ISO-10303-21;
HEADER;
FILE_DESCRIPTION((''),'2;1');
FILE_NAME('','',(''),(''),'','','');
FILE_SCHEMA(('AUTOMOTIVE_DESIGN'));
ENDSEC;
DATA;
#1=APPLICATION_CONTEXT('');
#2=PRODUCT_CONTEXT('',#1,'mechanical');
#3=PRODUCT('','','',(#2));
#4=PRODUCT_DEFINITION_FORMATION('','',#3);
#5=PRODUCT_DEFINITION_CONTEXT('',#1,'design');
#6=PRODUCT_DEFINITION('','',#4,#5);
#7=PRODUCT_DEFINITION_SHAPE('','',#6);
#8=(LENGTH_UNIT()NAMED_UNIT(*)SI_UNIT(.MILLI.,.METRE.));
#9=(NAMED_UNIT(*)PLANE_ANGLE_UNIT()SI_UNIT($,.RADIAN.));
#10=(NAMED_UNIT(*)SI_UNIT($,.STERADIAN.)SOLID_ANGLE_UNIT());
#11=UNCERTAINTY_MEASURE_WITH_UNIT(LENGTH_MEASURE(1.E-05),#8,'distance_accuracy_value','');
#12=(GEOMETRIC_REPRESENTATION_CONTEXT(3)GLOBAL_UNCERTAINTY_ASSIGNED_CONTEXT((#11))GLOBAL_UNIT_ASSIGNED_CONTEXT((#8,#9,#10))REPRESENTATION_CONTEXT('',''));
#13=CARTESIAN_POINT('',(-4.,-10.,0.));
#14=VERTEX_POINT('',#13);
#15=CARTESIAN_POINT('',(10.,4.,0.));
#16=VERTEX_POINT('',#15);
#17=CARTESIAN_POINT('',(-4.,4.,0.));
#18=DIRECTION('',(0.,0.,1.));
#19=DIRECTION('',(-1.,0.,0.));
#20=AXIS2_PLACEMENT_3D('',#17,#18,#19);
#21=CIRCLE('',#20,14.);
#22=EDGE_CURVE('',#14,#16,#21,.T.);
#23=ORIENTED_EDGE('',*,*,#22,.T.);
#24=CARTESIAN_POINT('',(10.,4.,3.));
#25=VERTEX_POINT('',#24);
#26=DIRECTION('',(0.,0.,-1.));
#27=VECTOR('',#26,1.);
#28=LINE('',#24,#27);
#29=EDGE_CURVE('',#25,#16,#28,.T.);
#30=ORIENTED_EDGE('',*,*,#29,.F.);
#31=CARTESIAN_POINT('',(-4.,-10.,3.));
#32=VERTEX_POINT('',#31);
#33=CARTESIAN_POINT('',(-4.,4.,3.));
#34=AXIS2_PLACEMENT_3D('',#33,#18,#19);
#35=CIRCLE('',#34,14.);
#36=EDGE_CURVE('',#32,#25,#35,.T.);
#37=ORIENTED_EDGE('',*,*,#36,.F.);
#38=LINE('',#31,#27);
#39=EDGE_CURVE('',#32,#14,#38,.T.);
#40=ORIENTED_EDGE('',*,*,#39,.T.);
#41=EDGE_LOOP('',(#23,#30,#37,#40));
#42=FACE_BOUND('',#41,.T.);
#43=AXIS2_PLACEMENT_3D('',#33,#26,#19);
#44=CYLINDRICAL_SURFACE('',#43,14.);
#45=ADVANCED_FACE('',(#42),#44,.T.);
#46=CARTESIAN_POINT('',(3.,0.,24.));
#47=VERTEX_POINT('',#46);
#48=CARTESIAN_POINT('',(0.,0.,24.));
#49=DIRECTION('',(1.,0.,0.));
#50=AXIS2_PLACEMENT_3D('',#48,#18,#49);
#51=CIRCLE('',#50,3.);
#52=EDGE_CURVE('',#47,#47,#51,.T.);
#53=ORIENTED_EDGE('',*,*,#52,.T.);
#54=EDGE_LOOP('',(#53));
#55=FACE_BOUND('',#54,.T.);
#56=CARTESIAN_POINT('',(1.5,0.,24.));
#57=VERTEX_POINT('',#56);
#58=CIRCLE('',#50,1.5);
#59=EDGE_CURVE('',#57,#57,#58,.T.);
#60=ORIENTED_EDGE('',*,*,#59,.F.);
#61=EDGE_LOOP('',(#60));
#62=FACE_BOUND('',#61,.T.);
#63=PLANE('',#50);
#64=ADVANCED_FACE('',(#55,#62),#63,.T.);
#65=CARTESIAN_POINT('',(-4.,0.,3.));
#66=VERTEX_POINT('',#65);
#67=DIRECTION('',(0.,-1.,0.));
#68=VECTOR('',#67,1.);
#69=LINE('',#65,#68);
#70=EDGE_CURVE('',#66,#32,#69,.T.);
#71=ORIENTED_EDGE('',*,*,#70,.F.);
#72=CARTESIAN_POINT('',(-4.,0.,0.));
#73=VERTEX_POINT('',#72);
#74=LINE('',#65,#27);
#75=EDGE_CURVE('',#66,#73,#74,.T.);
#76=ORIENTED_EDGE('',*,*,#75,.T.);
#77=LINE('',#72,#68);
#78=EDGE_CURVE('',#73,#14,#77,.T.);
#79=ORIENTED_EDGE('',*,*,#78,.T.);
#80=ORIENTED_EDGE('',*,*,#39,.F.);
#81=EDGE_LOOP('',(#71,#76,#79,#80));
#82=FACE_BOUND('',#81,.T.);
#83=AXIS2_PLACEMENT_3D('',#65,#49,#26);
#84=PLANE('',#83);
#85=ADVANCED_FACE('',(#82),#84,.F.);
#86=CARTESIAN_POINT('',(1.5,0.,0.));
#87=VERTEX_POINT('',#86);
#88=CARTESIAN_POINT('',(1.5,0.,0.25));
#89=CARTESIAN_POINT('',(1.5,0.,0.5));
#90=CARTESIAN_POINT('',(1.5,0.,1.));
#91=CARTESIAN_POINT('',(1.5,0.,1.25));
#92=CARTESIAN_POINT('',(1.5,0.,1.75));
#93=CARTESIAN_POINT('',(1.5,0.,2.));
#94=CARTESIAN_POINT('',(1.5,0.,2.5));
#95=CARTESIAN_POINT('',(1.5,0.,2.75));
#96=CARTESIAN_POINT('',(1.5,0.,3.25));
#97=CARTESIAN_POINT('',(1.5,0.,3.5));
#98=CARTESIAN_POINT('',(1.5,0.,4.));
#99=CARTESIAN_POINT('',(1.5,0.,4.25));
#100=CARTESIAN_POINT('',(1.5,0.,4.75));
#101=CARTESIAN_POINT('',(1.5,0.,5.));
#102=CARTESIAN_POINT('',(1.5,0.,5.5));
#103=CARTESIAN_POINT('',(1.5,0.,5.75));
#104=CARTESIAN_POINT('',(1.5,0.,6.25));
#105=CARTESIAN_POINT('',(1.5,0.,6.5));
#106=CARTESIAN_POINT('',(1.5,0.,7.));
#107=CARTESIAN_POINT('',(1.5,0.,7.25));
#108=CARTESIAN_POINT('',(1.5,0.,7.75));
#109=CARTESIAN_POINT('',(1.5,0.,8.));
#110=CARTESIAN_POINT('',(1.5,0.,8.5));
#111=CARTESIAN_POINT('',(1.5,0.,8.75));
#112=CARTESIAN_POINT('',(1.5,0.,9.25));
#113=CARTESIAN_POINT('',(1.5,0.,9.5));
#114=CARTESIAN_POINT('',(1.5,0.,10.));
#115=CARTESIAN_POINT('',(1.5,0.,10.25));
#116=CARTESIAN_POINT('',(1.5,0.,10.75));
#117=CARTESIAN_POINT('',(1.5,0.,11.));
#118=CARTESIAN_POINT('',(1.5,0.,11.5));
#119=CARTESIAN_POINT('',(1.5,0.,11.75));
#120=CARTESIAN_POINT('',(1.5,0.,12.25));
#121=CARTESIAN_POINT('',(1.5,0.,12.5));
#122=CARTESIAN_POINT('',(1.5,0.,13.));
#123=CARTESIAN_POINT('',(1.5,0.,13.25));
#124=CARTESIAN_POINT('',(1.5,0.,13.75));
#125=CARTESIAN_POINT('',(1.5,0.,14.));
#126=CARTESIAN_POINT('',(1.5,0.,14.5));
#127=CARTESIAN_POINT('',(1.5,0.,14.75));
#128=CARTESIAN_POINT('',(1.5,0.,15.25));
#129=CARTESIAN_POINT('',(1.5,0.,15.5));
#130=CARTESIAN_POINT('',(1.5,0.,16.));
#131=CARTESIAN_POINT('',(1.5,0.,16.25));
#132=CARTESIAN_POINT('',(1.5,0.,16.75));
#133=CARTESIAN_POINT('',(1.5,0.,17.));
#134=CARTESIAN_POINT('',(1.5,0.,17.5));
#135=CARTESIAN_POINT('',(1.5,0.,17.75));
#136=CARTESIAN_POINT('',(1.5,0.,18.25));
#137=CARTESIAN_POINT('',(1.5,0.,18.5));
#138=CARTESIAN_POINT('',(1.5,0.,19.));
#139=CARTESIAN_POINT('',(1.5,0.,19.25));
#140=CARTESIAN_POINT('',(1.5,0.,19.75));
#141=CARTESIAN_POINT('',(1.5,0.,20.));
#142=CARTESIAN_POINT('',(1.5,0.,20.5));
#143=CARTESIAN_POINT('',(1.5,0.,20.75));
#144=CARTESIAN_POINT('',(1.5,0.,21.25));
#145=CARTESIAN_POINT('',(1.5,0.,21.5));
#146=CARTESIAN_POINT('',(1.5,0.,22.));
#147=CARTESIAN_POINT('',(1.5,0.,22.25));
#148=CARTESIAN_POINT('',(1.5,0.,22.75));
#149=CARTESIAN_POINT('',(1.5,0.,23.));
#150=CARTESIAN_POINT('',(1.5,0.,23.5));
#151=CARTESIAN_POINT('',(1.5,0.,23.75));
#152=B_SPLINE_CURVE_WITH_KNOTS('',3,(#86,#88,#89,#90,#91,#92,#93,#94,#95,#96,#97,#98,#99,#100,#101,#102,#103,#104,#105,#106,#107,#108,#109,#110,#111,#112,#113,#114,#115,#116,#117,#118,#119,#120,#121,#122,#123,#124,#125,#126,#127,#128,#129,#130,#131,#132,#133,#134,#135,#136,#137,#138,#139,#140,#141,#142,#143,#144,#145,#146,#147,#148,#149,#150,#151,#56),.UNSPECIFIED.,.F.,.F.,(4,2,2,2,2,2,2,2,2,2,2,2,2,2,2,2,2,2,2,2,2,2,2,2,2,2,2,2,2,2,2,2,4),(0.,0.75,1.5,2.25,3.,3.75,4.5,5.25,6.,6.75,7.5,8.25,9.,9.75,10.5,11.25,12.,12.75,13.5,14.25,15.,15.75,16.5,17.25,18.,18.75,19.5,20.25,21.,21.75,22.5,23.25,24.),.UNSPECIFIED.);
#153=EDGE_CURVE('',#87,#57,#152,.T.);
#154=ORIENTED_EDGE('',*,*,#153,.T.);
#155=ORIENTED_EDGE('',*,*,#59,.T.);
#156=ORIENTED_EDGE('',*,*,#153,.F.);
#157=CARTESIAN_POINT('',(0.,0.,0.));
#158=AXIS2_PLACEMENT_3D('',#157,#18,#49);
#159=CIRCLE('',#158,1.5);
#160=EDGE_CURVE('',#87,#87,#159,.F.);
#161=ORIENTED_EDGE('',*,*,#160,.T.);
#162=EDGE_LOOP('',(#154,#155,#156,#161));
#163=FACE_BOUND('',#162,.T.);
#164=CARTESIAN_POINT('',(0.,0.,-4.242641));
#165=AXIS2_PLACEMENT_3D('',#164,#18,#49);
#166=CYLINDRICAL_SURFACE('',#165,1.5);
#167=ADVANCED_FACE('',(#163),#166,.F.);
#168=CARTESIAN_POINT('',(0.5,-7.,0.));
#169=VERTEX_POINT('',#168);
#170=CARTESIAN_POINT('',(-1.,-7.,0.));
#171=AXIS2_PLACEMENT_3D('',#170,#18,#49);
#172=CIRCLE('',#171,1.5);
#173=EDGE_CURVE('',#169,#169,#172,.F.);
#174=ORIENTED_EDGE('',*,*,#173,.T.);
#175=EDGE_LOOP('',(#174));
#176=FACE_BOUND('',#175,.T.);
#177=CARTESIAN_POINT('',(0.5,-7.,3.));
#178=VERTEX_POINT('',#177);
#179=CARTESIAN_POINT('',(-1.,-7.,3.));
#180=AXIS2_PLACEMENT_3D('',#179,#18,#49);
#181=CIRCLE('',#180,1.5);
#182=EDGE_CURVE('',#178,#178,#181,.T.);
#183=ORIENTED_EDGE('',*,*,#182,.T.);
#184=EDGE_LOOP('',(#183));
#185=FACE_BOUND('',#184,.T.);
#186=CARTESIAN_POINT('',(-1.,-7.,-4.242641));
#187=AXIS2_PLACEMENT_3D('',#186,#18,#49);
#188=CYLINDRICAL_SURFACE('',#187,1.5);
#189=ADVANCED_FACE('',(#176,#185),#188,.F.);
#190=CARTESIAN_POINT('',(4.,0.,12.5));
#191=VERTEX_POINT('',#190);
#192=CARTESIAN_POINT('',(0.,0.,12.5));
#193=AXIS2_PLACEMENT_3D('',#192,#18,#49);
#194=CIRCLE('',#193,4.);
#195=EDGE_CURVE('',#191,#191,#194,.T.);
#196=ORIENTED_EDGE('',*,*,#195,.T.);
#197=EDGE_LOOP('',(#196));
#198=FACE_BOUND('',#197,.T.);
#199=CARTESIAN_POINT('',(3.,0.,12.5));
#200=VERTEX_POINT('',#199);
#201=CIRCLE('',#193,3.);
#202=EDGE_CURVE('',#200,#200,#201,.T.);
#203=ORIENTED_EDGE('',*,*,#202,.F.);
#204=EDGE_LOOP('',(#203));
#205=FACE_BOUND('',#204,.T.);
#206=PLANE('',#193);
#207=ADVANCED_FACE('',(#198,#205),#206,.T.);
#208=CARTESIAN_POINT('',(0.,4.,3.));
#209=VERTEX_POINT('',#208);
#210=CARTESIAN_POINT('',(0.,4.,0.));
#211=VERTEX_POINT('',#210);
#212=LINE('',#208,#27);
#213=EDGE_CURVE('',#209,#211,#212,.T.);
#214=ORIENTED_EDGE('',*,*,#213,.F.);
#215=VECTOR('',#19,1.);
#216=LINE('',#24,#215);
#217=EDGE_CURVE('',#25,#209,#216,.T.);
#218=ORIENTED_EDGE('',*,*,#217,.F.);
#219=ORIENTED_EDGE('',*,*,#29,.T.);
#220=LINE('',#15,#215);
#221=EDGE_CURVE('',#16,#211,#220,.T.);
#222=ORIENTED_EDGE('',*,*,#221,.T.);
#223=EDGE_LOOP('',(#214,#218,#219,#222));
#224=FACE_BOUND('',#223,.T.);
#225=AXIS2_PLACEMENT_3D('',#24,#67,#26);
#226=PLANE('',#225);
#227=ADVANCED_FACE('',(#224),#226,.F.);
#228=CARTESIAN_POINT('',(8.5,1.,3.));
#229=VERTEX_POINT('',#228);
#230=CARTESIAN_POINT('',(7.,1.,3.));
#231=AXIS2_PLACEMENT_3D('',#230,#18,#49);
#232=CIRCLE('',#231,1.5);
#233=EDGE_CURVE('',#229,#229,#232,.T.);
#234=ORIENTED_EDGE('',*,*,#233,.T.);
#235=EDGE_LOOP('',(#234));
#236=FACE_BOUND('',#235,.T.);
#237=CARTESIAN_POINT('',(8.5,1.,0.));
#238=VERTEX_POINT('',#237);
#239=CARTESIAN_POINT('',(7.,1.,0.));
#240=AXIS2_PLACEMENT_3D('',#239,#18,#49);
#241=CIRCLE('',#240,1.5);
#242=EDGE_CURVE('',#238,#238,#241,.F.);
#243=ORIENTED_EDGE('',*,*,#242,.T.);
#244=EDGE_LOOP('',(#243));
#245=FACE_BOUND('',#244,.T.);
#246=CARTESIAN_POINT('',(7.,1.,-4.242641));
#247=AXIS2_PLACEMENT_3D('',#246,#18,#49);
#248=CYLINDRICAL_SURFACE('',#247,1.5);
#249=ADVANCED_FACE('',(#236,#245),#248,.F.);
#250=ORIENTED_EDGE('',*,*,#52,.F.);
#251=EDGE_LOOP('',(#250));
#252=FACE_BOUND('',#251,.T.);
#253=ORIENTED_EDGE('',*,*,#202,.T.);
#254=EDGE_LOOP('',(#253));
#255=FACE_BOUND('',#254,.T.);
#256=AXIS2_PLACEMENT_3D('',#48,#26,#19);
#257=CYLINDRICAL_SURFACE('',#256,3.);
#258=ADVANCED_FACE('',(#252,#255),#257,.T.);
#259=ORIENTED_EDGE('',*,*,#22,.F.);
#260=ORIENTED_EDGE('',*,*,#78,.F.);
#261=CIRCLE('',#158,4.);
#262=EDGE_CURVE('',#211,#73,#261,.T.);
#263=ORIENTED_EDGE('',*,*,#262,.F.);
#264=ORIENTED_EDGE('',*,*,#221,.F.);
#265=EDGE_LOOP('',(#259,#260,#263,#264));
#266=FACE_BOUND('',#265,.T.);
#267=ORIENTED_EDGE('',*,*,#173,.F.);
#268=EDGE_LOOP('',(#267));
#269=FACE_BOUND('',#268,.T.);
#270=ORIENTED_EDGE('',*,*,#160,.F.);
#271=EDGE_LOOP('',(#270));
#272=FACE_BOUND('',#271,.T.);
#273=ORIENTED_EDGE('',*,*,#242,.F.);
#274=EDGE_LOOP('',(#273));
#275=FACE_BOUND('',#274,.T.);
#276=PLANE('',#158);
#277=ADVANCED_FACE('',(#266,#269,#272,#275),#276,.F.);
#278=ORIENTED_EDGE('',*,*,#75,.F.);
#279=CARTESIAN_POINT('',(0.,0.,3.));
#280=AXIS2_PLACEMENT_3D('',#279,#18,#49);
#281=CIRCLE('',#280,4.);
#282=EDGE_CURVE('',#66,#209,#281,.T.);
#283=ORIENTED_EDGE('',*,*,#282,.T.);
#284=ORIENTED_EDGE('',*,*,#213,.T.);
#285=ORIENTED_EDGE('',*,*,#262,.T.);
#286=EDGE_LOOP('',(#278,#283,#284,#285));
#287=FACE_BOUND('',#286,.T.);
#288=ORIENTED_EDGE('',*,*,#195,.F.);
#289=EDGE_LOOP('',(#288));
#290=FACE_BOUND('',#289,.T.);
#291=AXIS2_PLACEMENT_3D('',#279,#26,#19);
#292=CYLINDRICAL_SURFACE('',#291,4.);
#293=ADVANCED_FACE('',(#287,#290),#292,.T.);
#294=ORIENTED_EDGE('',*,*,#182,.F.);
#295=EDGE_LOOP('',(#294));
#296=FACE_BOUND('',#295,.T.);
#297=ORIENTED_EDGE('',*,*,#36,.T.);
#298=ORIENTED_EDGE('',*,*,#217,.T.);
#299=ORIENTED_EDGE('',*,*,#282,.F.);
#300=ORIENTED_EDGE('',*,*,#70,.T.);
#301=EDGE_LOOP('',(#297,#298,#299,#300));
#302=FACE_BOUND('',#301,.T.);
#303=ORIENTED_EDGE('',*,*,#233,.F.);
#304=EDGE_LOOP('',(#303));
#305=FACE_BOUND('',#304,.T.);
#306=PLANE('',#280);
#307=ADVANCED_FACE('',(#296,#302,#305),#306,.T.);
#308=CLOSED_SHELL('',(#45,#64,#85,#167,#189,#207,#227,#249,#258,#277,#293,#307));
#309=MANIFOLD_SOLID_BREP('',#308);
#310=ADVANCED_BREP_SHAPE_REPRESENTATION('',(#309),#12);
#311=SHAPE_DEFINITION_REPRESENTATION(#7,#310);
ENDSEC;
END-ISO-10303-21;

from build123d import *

# Parameters (mm, degrees)
EXTRUDE1_DEPTH = 3
SKETCH2_R      = 4
EXTRUDE2_DEPTH = 9.5
SKETCH3_R      = 3
EXTRUDE3_DEPTH = 11.5
SKETCH4_R      = 1.5
EXTRUDE4_DEPTH = 24
SKETCH5_R      = 1.5
EXTRUDE5_DEPTH = 3


with BuildPart() as part:
    # Sketch1 → Extrude1 (new body)
    with BuildSketch(Plane.XY):
        with BuildLine():
            Line((10, 4), (0, 4))
            ThreePointArc((0, 4), (-2.828427125, 2.828427125), (-4, 0))
            Line((-4, 0), (-4, -10))
            ThreePointArc((-4, -10), (5.899494937, -5.899494937), (10, 4))
        make_face()
    extrude(amount=EXTRUDE1_DEPTH)

    # Sketch2 → Extrude2 (add)
    with BuildSketch(Plane.XY.offset(3)):
        with Locations(Location((0, 0, 0), (0, 0, 180))):
            Circle(SKETCH2_R)
    extrude(amount=EXTRUDE2_DEPTH)

    # Sketch3 → Extrude3 (add)
    with BuildSketch(Plane.XY.offset(12.5)):
        Circle(SKETCH3_R)
    extrude(amount=EXTRUDE3_DEPTH)

    # Sketch4 → Extrude4 (cut)
    with BuildSketch(Plane.XY.offset(24)):
        Circle(SKETCH4_R)
    extrude(amount=-EXTRUDE4_DEPTH, mode=Mode.SUBTRACT)

    # Sketch5 → Extrude5 (cut)
    with BuildSketch(Plane.XY.offset(3)):
        with Locations((7, 1)):
            Circle(SKETCH5_R)
        with Locations((-1, -7)):
            Circle(SKETCH5_R)
    extrude(amount=-EXTRUDE5_DEPTH, mode=Mode.SUBTRACT)


solid = part.part
